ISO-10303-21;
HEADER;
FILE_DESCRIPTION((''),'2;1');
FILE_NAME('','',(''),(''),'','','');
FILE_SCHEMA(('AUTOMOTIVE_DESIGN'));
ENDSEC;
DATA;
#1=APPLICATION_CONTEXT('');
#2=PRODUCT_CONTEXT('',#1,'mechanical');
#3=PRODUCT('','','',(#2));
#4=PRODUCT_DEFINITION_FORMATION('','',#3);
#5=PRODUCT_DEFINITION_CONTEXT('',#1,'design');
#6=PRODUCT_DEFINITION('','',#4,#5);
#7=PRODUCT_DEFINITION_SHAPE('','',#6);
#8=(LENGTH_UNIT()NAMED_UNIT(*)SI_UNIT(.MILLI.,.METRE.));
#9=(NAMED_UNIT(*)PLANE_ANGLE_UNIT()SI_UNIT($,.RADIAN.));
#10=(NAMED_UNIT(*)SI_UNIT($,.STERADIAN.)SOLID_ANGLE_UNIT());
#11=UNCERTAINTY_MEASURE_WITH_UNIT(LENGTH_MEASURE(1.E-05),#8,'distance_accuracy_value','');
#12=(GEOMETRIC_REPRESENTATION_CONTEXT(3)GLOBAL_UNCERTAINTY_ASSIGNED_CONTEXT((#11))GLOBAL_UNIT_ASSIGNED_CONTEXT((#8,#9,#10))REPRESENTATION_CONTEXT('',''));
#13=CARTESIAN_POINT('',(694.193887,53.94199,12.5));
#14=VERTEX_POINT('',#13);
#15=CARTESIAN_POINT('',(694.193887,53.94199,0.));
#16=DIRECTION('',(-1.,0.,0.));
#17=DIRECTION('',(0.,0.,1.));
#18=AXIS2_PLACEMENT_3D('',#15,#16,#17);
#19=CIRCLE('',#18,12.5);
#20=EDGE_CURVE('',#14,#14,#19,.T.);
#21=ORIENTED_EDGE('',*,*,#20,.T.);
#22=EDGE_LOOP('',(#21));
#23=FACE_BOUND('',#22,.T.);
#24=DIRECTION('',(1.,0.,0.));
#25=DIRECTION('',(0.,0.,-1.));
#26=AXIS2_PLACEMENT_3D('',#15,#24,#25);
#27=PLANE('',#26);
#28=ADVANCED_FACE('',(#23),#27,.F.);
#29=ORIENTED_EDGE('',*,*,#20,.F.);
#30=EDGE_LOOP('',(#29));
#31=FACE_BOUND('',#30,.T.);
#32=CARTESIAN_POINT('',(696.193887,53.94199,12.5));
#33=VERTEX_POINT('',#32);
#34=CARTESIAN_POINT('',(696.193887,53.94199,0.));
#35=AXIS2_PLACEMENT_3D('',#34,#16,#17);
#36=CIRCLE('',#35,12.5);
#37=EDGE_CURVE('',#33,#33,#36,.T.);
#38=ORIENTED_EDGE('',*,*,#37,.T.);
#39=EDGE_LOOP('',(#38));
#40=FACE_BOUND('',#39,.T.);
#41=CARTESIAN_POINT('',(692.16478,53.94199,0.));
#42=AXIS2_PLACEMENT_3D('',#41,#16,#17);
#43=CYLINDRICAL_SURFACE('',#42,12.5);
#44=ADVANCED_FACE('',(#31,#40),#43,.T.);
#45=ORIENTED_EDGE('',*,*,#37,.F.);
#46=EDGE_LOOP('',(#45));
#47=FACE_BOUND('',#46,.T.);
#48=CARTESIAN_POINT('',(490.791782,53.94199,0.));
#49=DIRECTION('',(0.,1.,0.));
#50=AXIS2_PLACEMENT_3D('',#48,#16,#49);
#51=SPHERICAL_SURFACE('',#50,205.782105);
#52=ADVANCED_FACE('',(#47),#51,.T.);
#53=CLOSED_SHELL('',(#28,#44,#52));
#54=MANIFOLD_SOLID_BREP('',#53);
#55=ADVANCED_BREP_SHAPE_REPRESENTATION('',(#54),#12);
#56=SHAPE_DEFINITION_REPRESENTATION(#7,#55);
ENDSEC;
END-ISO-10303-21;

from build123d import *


with BuildPart() as part:
    # 草图1 → 旋转1 (revolve)
    with BuildSketch(Plane.XY):
        with BuildLine():
            Line((694.193887129, 53.941990217), (694.193887129, 66.441990217))
            Line((694.193887129, 66.441990217), (696.193887129, 66.441990217))
            ThreePointArc((696.193887129, 66.441990217), (696.47886519, 60.19487755), (696.573887129, 53.941990217))
            Line((696.573887129, 53.941990217), (694.193887129, 53.941990217))
        make_face()
    revolve(axis=Axis((692.164779551, 53.941990217, 0), (1, 0, 0)))


solid = part.part
